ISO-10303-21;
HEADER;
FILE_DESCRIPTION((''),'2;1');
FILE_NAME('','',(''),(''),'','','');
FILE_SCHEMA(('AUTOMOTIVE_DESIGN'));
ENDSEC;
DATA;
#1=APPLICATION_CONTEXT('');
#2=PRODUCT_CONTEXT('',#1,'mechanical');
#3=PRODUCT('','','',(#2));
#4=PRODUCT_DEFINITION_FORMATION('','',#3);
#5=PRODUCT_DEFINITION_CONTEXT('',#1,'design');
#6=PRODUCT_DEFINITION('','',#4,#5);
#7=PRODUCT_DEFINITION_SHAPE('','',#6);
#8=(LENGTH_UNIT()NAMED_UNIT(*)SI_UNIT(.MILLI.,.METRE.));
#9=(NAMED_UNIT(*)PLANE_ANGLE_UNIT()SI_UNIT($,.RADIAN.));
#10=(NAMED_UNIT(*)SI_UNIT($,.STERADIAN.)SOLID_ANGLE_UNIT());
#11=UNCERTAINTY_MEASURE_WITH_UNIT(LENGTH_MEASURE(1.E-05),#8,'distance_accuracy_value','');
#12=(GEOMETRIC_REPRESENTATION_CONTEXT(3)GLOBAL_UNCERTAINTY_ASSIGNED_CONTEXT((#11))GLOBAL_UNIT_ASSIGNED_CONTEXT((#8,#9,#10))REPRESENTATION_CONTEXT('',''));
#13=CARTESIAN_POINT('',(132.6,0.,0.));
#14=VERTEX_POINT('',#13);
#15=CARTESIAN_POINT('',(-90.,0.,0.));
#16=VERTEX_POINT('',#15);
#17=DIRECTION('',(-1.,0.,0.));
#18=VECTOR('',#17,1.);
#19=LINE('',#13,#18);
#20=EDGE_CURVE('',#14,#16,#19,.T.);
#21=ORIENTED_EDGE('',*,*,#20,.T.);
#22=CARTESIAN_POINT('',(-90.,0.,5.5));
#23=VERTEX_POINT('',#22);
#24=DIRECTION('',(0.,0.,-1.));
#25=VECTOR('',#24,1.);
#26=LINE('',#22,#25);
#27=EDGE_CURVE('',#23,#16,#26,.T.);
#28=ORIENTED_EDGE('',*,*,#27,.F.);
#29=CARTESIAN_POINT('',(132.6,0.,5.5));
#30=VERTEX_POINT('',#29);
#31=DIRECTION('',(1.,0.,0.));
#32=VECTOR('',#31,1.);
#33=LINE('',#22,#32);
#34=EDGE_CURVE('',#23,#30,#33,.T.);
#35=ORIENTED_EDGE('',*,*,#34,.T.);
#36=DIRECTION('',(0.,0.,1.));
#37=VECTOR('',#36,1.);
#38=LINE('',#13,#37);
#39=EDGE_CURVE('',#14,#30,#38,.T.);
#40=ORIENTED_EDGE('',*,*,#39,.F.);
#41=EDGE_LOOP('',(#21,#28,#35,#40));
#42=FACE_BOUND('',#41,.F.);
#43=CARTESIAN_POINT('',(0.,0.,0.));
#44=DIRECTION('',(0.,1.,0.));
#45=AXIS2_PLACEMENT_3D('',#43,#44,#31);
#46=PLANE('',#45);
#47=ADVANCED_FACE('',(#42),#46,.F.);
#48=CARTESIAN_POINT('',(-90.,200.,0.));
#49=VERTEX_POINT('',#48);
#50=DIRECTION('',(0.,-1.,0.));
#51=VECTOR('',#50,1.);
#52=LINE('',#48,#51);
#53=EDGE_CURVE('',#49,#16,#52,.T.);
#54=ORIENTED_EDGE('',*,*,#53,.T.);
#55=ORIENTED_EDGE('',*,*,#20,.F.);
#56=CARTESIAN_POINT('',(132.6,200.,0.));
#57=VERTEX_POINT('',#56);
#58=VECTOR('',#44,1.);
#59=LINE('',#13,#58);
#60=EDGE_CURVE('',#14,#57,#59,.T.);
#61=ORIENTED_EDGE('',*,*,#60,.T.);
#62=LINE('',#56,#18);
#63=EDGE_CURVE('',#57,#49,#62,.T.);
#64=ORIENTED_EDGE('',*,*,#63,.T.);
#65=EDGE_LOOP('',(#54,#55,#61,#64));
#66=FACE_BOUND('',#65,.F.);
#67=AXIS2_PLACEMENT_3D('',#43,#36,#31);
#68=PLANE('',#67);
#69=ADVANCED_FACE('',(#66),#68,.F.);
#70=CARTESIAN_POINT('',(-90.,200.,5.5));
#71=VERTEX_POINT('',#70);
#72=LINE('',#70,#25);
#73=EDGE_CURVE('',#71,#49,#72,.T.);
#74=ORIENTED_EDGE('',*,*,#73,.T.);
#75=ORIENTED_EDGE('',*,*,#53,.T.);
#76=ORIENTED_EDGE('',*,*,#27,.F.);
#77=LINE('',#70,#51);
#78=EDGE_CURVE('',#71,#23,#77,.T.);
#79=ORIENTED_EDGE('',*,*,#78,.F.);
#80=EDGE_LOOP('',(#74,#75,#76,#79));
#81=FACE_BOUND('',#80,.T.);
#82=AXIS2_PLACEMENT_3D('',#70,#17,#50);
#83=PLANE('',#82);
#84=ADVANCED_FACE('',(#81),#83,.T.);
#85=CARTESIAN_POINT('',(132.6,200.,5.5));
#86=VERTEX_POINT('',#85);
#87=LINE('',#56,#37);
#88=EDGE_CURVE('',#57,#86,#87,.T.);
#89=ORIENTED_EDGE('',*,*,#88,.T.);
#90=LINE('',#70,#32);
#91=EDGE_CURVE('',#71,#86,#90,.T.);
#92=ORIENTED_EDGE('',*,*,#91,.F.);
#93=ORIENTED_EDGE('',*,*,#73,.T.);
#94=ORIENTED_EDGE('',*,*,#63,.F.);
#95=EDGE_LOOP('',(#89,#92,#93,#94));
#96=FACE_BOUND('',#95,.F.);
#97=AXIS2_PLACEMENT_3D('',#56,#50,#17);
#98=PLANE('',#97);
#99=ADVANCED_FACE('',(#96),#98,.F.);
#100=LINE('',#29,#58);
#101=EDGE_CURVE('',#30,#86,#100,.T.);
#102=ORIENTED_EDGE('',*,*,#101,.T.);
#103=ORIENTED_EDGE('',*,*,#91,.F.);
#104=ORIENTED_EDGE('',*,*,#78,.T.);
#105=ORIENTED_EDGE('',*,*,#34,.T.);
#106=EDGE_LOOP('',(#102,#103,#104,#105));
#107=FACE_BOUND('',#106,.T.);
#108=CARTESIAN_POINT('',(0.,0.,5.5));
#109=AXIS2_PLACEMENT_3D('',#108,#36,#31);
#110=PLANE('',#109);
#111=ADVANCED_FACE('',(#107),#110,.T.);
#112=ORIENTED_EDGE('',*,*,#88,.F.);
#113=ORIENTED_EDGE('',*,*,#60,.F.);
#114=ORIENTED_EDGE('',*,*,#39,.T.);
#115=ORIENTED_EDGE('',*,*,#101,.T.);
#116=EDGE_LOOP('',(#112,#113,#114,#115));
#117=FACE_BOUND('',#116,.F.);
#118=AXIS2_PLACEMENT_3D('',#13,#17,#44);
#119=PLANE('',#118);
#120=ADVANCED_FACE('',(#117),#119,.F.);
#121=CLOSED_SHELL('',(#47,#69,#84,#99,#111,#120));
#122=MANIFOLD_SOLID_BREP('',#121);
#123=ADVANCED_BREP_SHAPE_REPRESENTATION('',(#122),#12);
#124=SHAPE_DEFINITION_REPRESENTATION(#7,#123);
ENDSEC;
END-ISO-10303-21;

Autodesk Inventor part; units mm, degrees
ref_plane "YZ Plane" through (0, 0, 0) normal (1, 0, 0) x (0, 1, 0)
ref_plane "XZ Plane" through (0, 0, 0) normal (0, 1, 0) x (-1, 0, 0)
ref_plane "XY Plane" through (0, 0, 0) normal (0, 0, 1) x (1, 0, 0)
sketch "Sketch1" plane through (0, 0, 0) normal (0, 0, 1) x (1, 0, 0)
  line L0 (0, 0) -> (132.6, 0)
  line L1 (132.6, 0) -> (132.6, 200)
  line L2 (132.6, 200) -> (0, 200)
  line L3 (0, 200) -> (0, 0)
  dimension "d0" = 200
  dimension "d1" = 132.6
extrude "Extrusion1" add sketch "Sketch1" along normal blind 5.5
sketch "Sketch3" plane through (0, 0, 5.5) normal (0, 0, 1) x (1, 0, 0)
  line L0 (0, 200) -> (-90, 200)
  line L1 (-90, 200) -> (-90, 0)
  line L2 (-90, 0) -> (0, 0)
  line L3 (0, 0) -> (0, 200)
  line L4 (0, 0) -> (132.6, 0) projected
  point P0 (132.6, 200)
  dimension "d8" = 90
extrude "Extrusion3" add sketch "Sketch3" against normal blind 5.5
sketch "Sketch2" plane through (0, 0, 5.5) normal (0, 0, 1) x (1, 0, 0)
  line L0 (50.0404, 188.6001) -> (118.0696, 188.6001)
  line L1 (118.0696, 188.6001) -> (118.0696, 180.6348)
  line L2 (118.0696, 180.6348) -> (50.0404, 180.6348)
  line L3 (50.0404, 180.6348) -> (50.0404, 188.6001)
  point P0 (0, 0)
equation "\"d0\" = sidewallheight"
equation "\"d1\" = sidewallL"
equation "\"d8\" = wireL"
equation "\"thick\" = 0.5"
equation "\"lrlr\" = 19"
equation "\"lrmid\" = 19.9"
equation "\"lrdepth\" = 3.3"
equation "\"mlr\" = 16.6"
equation "\"mmid\" = 24.7"
equation "\"mdepth\" = 4.5"
equation "\"lrltotal\" = 126.6"
equation "\"mltotal\" = 126.6"
equation "\"lrbetween\" = 52.1"
equation "\"mbetween\" = 49.5"
equation "\"toler\" = 1"
equation "\"tight\" = 0.08"
equation "\"stuckw\" = 6"
equation "\"sidewallL\" = 132.6"
equation "\"sidewallheight\" = 200"
equation "\"heaterH\" = 117.3"
equation "\"stickL\" = 3.5"
equation "\"wireH\" = 25"
equation "\"wireL\" = 90"
properties part number "side_wall" material "Gold"
